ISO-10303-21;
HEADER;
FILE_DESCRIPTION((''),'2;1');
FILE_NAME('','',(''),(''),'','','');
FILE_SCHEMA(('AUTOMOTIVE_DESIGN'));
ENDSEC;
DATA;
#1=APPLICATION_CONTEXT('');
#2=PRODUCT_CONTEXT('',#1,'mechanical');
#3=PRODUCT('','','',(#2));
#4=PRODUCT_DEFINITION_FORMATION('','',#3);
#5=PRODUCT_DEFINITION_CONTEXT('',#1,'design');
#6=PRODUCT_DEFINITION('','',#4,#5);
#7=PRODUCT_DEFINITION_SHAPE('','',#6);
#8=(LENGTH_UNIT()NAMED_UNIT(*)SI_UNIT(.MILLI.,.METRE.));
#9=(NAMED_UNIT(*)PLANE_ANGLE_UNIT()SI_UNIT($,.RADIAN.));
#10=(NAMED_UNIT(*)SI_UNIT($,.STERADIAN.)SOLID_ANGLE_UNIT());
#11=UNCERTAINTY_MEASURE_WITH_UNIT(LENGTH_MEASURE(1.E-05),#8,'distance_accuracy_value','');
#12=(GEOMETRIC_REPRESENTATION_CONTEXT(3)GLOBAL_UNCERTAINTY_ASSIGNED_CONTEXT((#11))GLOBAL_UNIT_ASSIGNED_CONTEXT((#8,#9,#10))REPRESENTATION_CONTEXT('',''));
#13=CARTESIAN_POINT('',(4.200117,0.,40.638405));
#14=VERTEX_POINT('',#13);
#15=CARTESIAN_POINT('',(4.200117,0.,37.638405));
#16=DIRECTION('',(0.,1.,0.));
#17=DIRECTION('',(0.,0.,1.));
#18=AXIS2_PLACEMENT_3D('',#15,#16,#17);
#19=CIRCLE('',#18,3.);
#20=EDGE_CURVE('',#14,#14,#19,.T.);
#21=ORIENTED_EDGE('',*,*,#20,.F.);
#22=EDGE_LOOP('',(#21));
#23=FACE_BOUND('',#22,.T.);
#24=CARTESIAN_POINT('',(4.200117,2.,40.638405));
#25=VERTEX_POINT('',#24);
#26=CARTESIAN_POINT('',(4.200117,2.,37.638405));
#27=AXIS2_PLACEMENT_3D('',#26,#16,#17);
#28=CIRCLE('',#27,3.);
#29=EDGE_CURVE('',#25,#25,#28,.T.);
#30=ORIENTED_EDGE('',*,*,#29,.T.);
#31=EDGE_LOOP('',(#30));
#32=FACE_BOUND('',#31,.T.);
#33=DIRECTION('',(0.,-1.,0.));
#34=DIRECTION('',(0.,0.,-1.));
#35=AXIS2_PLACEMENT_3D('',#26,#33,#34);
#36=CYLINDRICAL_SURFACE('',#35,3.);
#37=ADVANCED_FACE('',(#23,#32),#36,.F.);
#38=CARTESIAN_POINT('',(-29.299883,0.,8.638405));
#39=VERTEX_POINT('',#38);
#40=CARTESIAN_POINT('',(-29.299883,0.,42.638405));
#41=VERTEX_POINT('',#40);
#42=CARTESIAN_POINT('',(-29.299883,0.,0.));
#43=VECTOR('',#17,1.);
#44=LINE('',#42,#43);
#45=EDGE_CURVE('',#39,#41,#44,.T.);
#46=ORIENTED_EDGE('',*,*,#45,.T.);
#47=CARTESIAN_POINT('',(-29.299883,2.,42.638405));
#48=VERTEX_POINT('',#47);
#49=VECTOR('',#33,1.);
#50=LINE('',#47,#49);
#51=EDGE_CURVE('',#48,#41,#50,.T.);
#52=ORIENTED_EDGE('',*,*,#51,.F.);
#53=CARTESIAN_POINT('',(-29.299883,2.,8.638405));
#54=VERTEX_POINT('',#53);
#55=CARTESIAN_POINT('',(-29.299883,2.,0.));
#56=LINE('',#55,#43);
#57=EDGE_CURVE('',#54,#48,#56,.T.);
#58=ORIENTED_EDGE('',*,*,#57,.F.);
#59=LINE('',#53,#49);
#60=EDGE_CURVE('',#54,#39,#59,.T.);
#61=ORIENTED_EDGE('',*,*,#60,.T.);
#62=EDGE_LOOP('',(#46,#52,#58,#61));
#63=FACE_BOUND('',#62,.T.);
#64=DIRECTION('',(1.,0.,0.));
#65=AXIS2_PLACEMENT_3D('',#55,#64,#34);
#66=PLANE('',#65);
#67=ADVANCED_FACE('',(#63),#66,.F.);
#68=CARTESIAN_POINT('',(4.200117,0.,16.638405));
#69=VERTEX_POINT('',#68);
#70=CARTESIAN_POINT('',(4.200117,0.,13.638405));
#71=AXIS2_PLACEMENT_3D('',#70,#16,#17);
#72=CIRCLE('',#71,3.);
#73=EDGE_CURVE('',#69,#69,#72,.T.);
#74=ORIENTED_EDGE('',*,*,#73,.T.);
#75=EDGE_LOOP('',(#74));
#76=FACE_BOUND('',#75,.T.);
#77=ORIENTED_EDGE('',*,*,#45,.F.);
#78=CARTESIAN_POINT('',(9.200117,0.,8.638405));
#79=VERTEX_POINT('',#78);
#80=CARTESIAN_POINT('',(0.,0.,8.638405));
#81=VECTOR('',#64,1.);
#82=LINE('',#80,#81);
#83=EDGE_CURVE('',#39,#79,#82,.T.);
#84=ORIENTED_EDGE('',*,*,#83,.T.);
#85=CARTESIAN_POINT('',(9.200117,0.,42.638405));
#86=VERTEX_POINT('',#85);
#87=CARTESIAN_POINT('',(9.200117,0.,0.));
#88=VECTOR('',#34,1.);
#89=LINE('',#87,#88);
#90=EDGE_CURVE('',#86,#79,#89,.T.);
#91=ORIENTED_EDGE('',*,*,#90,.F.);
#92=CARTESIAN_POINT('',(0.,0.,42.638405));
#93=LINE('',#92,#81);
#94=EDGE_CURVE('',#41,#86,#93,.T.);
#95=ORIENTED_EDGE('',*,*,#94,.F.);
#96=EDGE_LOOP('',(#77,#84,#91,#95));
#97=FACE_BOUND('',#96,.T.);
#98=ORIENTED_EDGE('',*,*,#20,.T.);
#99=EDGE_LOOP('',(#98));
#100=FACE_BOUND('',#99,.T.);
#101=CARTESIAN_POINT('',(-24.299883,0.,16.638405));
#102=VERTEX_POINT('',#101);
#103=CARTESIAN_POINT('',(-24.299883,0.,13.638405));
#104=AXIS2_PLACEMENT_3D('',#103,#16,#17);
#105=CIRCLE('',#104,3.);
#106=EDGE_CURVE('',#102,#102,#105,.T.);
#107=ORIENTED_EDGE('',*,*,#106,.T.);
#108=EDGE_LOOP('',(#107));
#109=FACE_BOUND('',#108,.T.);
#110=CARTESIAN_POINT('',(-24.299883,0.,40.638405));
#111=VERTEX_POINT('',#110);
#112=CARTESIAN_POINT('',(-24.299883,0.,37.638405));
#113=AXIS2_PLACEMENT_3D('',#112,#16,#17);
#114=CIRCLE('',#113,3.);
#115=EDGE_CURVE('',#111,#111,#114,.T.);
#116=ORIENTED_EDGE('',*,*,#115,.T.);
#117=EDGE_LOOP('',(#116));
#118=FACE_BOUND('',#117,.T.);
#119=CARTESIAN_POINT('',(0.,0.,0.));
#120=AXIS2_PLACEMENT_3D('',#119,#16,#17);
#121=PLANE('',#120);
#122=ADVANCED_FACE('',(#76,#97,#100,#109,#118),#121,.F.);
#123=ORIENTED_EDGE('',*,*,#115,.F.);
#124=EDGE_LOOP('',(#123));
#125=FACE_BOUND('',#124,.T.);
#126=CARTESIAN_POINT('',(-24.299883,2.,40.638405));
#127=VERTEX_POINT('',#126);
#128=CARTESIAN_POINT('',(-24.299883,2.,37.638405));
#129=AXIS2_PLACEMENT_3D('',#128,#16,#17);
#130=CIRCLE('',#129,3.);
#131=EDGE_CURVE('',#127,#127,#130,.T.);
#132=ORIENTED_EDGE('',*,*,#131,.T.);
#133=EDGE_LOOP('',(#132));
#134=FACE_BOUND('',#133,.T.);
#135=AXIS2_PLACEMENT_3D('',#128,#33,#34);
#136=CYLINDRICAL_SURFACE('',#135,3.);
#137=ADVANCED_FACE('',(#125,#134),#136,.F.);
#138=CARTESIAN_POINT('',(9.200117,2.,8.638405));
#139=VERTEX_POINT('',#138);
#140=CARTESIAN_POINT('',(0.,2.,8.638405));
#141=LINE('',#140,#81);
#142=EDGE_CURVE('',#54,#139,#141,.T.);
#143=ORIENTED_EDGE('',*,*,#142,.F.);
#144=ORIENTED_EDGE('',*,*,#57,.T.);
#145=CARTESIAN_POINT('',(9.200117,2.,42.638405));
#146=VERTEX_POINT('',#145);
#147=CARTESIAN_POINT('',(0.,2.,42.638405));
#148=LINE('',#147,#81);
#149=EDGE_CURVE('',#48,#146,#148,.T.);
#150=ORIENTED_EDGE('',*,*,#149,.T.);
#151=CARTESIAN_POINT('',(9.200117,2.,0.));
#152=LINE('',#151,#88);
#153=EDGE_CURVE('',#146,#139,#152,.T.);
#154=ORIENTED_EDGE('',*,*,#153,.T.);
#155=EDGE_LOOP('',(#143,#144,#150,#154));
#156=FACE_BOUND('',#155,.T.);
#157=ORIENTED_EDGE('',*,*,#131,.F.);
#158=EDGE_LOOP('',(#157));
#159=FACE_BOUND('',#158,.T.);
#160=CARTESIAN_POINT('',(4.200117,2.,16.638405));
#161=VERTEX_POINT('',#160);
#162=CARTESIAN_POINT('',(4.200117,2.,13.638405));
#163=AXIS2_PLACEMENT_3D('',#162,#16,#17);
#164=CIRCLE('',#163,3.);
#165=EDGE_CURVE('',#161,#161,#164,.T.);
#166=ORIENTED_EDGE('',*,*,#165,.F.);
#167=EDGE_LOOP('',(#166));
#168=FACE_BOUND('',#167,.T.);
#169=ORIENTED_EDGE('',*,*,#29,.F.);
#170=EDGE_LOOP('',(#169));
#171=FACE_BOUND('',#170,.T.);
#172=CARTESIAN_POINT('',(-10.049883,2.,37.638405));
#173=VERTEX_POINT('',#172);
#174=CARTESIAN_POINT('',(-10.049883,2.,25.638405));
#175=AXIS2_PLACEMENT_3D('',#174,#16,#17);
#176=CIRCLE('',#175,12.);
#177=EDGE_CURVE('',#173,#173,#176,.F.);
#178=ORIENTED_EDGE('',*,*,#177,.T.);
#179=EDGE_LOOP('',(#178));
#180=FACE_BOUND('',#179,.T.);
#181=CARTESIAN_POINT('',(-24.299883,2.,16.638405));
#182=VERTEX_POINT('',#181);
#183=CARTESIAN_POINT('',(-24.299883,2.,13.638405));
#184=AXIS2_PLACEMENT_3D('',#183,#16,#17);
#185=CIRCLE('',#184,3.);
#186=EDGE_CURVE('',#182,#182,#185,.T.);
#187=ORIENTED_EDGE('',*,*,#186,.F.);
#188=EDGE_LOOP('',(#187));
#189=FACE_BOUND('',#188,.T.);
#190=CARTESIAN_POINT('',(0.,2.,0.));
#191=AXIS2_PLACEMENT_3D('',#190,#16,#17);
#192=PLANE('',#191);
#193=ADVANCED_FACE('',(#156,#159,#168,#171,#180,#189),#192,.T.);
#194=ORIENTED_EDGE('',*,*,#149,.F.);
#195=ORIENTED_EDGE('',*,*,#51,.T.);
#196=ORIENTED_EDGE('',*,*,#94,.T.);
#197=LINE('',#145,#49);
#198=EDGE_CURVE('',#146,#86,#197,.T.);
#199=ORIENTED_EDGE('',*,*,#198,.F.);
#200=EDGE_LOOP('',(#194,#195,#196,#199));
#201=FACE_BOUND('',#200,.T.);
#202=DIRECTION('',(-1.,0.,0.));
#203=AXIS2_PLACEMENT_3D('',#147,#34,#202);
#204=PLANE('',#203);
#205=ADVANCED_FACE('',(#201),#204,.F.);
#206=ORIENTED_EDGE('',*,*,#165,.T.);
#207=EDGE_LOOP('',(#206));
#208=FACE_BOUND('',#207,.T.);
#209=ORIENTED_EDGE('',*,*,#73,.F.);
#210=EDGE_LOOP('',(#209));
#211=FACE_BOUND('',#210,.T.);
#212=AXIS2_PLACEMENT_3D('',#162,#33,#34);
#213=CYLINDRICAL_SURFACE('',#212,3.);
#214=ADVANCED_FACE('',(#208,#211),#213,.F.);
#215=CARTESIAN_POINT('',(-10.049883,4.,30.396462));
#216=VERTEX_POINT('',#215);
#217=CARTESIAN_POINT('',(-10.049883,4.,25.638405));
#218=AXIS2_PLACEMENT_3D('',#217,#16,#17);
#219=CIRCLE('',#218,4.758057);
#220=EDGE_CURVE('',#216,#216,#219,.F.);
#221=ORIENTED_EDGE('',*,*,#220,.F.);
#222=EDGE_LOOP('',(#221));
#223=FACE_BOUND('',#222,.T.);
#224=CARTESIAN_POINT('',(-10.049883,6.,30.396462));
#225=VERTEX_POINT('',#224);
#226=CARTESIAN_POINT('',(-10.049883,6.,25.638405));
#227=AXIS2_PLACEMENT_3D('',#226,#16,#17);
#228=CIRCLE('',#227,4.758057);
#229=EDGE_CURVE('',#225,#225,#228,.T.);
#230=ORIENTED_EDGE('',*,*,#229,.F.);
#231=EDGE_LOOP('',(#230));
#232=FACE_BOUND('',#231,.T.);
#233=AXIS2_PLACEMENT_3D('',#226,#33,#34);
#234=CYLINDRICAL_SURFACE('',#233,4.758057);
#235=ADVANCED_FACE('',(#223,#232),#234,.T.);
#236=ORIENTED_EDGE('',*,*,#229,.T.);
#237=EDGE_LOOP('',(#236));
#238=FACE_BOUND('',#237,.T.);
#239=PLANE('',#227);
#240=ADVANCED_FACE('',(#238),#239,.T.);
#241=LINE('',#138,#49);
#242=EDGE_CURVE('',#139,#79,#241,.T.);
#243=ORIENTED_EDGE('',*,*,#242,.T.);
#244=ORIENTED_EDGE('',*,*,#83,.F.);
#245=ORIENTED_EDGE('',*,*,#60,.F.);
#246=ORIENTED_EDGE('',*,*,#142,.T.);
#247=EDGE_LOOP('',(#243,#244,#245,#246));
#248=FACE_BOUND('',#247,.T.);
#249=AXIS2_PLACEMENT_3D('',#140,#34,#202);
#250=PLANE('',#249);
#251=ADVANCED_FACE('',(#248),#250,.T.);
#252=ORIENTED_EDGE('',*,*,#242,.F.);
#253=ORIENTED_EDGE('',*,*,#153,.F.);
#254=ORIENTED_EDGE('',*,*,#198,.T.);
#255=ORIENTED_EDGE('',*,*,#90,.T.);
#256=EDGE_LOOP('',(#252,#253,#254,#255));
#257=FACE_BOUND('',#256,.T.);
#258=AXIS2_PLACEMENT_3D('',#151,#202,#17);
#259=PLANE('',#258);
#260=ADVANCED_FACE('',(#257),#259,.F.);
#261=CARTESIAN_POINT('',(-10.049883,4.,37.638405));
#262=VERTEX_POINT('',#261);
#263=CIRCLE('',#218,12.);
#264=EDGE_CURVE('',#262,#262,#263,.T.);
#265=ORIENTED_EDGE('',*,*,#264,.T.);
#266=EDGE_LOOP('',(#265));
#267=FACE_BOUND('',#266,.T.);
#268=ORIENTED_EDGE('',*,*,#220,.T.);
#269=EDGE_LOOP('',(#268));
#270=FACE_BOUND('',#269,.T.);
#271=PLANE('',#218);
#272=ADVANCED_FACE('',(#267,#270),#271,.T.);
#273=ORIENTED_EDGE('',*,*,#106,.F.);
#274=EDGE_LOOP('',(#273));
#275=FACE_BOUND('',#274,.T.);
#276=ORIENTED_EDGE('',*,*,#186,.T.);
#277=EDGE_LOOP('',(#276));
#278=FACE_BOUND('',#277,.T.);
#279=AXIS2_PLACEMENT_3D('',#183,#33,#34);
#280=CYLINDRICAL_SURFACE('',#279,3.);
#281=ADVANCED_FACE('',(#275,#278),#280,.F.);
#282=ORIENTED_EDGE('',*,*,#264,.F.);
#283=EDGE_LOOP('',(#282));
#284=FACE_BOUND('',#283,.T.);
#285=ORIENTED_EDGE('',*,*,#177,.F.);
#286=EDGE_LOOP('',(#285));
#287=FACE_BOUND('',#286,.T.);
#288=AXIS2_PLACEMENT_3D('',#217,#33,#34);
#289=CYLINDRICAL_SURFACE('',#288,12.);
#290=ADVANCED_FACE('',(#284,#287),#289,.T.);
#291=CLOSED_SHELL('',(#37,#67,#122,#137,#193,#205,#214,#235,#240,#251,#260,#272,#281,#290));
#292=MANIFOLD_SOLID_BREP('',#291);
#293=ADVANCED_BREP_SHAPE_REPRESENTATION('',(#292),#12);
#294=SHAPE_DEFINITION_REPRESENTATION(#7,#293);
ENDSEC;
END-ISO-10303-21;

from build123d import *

# Parameters (mm, degrees)
SKETCH_3_W      = 38.5
SKETCH_3_H      = 34
SKETCH_3_R      = 3
EXTRUDE_1_DEPTH = 2
SKETCH_4_R      = 12
EXTRUDE_3_DEPTH = 4
SKETCH_6_R      = 4.758056851
EXTRUDE_4_DEPTH = 6


with BuildPart() as part:
    # 草图3 → 凸台-拉伸1 (new body)
    with BuildSketch(Plane(origin=(0, 0, 0), x_dir=(1, 0, 0), z_dir=(0, 1, 0))):
        with Locations((-10.049882631, -25.638405163)):
            Rectangle(SKETCH_3_W, SKETCH_3_H)
        with Locations(Location((-24.299882631, -13.638405163, 0), (0, 0, 270))):
            Circle(SKETCH_3_R, mode=Mode.SUBTRACT)
        with Locations(Location((4.200117369, -13.638405163, 0), (0, 0, 270))):
            Circle(SKETCH_3_R, mode=Mode.SUBTRACT)
        with Locations(Location((-24.299882631, -37.638405163, 0), (0, 0, 270))):
            Circle(SKETCH_3_R, mode=Mode.SUBTRACT)
        with Locations(Location((4.200117369, -37.638405163, 0), (0, 0, 270))):
            Circle(SKETCH_3_R, mode=Mode.SUBTRACT)
    extrude(amount=EXTRUDE_1_DEPTH)

    # 草图4 → 凸台-拉伸3 (add)
    with BuildSketch(Plane(origin=(0, 0, 0), x_dir=(1, 0, 0), z_dir=(0, 1, 0))):
        with Locations(Location((-10.049882631, -25.638405163, 0), (0, 0, 270))):
            Circle(SKETCH_4_R)
    extrude(amount=EXTRUDE_3_DEPTH)

    # 草图6 → 凸台-拉伸4 (add)
    with BuildSketch(Plane(origin=(0, 0, 0), x_dir=(1, 0, 0), z_dir=(0, 1, 0))):
        with Locations(Location((-10.049882631, -25.638405163, 0), (0, 0, 270))):
            Circle(SKETCH_6_R)
    extrude(amount=EXTRUDE_4_DEPTH)


solid = part.part
